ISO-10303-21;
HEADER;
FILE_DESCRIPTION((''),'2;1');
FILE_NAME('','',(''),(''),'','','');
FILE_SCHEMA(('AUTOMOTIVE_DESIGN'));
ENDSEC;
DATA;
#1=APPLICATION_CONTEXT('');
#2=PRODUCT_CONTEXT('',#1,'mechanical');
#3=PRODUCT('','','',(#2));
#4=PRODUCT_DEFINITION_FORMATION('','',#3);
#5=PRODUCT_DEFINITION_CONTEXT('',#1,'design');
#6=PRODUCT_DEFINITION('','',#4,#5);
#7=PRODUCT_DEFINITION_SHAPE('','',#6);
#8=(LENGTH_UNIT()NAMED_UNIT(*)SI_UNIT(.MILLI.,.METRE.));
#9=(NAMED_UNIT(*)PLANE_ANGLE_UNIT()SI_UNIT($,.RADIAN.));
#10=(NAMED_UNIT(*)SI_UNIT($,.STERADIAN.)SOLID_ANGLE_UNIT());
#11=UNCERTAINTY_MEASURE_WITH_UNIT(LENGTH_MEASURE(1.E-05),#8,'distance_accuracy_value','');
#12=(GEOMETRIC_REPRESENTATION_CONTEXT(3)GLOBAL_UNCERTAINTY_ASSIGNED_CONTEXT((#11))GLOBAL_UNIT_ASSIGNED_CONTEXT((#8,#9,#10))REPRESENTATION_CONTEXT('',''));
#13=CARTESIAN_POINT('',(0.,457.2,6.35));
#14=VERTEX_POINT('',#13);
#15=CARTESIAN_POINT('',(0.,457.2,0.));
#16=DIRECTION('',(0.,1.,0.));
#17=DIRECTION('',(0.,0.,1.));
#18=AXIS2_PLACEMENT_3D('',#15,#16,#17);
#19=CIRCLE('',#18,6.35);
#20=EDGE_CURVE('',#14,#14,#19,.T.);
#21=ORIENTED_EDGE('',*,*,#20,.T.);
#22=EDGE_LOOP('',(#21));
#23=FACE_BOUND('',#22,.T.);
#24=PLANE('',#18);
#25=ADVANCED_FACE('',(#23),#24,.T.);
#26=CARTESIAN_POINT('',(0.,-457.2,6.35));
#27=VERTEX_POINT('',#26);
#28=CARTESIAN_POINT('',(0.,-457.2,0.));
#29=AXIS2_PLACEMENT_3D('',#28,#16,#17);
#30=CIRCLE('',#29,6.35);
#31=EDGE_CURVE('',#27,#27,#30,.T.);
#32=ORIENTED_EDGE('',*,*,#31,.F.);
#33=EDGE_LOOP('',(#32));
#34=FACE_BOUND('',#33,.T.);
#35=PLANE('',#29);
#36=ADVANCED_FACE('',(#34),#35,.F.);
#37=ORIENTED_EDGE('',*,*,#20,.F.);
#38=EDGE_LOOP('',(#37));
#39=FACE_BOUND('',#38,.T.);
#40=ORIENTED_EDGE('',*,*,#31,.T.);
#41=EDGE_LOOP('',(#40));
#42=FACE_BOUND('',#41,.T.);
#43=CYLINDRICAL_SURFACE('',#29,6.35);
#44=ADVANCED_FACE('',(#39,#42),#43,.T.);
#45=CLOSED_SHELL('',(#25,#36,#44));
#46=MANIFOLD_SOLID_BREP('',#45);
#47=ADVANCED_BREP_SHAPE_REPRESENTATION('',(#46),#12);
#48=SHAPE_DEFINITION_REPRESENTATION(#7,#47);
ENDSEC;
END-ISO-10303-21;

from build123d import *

# Parameters (mm, degrees)
BOSS_EXTRUDE1_DEPTH      = 457.2
BOSS_EXTRUDE1_DEPTH_BACK = 457.2
SKETCH1_R                = 6.35


with BuildPart() as part:
    # Sketch1 → Boss-Extrude1 (new, two sides: drawn at the far end of the back side and taken through both)
    with BuildSketch(Plane(origin=(0, 0, 0), x_dir=(1, 0, 0), z_dir=(0, 1, 0)).offset(-BOSS_EXTRUDE1_DEPTH_BACK)):
        Circle(SKETCH1_R)
    extrude(amount=BOSS_EXTRUDE1_DEPTH + BOSS_EXTRUDE1_DEPTH_BACK)


solid = part.part
